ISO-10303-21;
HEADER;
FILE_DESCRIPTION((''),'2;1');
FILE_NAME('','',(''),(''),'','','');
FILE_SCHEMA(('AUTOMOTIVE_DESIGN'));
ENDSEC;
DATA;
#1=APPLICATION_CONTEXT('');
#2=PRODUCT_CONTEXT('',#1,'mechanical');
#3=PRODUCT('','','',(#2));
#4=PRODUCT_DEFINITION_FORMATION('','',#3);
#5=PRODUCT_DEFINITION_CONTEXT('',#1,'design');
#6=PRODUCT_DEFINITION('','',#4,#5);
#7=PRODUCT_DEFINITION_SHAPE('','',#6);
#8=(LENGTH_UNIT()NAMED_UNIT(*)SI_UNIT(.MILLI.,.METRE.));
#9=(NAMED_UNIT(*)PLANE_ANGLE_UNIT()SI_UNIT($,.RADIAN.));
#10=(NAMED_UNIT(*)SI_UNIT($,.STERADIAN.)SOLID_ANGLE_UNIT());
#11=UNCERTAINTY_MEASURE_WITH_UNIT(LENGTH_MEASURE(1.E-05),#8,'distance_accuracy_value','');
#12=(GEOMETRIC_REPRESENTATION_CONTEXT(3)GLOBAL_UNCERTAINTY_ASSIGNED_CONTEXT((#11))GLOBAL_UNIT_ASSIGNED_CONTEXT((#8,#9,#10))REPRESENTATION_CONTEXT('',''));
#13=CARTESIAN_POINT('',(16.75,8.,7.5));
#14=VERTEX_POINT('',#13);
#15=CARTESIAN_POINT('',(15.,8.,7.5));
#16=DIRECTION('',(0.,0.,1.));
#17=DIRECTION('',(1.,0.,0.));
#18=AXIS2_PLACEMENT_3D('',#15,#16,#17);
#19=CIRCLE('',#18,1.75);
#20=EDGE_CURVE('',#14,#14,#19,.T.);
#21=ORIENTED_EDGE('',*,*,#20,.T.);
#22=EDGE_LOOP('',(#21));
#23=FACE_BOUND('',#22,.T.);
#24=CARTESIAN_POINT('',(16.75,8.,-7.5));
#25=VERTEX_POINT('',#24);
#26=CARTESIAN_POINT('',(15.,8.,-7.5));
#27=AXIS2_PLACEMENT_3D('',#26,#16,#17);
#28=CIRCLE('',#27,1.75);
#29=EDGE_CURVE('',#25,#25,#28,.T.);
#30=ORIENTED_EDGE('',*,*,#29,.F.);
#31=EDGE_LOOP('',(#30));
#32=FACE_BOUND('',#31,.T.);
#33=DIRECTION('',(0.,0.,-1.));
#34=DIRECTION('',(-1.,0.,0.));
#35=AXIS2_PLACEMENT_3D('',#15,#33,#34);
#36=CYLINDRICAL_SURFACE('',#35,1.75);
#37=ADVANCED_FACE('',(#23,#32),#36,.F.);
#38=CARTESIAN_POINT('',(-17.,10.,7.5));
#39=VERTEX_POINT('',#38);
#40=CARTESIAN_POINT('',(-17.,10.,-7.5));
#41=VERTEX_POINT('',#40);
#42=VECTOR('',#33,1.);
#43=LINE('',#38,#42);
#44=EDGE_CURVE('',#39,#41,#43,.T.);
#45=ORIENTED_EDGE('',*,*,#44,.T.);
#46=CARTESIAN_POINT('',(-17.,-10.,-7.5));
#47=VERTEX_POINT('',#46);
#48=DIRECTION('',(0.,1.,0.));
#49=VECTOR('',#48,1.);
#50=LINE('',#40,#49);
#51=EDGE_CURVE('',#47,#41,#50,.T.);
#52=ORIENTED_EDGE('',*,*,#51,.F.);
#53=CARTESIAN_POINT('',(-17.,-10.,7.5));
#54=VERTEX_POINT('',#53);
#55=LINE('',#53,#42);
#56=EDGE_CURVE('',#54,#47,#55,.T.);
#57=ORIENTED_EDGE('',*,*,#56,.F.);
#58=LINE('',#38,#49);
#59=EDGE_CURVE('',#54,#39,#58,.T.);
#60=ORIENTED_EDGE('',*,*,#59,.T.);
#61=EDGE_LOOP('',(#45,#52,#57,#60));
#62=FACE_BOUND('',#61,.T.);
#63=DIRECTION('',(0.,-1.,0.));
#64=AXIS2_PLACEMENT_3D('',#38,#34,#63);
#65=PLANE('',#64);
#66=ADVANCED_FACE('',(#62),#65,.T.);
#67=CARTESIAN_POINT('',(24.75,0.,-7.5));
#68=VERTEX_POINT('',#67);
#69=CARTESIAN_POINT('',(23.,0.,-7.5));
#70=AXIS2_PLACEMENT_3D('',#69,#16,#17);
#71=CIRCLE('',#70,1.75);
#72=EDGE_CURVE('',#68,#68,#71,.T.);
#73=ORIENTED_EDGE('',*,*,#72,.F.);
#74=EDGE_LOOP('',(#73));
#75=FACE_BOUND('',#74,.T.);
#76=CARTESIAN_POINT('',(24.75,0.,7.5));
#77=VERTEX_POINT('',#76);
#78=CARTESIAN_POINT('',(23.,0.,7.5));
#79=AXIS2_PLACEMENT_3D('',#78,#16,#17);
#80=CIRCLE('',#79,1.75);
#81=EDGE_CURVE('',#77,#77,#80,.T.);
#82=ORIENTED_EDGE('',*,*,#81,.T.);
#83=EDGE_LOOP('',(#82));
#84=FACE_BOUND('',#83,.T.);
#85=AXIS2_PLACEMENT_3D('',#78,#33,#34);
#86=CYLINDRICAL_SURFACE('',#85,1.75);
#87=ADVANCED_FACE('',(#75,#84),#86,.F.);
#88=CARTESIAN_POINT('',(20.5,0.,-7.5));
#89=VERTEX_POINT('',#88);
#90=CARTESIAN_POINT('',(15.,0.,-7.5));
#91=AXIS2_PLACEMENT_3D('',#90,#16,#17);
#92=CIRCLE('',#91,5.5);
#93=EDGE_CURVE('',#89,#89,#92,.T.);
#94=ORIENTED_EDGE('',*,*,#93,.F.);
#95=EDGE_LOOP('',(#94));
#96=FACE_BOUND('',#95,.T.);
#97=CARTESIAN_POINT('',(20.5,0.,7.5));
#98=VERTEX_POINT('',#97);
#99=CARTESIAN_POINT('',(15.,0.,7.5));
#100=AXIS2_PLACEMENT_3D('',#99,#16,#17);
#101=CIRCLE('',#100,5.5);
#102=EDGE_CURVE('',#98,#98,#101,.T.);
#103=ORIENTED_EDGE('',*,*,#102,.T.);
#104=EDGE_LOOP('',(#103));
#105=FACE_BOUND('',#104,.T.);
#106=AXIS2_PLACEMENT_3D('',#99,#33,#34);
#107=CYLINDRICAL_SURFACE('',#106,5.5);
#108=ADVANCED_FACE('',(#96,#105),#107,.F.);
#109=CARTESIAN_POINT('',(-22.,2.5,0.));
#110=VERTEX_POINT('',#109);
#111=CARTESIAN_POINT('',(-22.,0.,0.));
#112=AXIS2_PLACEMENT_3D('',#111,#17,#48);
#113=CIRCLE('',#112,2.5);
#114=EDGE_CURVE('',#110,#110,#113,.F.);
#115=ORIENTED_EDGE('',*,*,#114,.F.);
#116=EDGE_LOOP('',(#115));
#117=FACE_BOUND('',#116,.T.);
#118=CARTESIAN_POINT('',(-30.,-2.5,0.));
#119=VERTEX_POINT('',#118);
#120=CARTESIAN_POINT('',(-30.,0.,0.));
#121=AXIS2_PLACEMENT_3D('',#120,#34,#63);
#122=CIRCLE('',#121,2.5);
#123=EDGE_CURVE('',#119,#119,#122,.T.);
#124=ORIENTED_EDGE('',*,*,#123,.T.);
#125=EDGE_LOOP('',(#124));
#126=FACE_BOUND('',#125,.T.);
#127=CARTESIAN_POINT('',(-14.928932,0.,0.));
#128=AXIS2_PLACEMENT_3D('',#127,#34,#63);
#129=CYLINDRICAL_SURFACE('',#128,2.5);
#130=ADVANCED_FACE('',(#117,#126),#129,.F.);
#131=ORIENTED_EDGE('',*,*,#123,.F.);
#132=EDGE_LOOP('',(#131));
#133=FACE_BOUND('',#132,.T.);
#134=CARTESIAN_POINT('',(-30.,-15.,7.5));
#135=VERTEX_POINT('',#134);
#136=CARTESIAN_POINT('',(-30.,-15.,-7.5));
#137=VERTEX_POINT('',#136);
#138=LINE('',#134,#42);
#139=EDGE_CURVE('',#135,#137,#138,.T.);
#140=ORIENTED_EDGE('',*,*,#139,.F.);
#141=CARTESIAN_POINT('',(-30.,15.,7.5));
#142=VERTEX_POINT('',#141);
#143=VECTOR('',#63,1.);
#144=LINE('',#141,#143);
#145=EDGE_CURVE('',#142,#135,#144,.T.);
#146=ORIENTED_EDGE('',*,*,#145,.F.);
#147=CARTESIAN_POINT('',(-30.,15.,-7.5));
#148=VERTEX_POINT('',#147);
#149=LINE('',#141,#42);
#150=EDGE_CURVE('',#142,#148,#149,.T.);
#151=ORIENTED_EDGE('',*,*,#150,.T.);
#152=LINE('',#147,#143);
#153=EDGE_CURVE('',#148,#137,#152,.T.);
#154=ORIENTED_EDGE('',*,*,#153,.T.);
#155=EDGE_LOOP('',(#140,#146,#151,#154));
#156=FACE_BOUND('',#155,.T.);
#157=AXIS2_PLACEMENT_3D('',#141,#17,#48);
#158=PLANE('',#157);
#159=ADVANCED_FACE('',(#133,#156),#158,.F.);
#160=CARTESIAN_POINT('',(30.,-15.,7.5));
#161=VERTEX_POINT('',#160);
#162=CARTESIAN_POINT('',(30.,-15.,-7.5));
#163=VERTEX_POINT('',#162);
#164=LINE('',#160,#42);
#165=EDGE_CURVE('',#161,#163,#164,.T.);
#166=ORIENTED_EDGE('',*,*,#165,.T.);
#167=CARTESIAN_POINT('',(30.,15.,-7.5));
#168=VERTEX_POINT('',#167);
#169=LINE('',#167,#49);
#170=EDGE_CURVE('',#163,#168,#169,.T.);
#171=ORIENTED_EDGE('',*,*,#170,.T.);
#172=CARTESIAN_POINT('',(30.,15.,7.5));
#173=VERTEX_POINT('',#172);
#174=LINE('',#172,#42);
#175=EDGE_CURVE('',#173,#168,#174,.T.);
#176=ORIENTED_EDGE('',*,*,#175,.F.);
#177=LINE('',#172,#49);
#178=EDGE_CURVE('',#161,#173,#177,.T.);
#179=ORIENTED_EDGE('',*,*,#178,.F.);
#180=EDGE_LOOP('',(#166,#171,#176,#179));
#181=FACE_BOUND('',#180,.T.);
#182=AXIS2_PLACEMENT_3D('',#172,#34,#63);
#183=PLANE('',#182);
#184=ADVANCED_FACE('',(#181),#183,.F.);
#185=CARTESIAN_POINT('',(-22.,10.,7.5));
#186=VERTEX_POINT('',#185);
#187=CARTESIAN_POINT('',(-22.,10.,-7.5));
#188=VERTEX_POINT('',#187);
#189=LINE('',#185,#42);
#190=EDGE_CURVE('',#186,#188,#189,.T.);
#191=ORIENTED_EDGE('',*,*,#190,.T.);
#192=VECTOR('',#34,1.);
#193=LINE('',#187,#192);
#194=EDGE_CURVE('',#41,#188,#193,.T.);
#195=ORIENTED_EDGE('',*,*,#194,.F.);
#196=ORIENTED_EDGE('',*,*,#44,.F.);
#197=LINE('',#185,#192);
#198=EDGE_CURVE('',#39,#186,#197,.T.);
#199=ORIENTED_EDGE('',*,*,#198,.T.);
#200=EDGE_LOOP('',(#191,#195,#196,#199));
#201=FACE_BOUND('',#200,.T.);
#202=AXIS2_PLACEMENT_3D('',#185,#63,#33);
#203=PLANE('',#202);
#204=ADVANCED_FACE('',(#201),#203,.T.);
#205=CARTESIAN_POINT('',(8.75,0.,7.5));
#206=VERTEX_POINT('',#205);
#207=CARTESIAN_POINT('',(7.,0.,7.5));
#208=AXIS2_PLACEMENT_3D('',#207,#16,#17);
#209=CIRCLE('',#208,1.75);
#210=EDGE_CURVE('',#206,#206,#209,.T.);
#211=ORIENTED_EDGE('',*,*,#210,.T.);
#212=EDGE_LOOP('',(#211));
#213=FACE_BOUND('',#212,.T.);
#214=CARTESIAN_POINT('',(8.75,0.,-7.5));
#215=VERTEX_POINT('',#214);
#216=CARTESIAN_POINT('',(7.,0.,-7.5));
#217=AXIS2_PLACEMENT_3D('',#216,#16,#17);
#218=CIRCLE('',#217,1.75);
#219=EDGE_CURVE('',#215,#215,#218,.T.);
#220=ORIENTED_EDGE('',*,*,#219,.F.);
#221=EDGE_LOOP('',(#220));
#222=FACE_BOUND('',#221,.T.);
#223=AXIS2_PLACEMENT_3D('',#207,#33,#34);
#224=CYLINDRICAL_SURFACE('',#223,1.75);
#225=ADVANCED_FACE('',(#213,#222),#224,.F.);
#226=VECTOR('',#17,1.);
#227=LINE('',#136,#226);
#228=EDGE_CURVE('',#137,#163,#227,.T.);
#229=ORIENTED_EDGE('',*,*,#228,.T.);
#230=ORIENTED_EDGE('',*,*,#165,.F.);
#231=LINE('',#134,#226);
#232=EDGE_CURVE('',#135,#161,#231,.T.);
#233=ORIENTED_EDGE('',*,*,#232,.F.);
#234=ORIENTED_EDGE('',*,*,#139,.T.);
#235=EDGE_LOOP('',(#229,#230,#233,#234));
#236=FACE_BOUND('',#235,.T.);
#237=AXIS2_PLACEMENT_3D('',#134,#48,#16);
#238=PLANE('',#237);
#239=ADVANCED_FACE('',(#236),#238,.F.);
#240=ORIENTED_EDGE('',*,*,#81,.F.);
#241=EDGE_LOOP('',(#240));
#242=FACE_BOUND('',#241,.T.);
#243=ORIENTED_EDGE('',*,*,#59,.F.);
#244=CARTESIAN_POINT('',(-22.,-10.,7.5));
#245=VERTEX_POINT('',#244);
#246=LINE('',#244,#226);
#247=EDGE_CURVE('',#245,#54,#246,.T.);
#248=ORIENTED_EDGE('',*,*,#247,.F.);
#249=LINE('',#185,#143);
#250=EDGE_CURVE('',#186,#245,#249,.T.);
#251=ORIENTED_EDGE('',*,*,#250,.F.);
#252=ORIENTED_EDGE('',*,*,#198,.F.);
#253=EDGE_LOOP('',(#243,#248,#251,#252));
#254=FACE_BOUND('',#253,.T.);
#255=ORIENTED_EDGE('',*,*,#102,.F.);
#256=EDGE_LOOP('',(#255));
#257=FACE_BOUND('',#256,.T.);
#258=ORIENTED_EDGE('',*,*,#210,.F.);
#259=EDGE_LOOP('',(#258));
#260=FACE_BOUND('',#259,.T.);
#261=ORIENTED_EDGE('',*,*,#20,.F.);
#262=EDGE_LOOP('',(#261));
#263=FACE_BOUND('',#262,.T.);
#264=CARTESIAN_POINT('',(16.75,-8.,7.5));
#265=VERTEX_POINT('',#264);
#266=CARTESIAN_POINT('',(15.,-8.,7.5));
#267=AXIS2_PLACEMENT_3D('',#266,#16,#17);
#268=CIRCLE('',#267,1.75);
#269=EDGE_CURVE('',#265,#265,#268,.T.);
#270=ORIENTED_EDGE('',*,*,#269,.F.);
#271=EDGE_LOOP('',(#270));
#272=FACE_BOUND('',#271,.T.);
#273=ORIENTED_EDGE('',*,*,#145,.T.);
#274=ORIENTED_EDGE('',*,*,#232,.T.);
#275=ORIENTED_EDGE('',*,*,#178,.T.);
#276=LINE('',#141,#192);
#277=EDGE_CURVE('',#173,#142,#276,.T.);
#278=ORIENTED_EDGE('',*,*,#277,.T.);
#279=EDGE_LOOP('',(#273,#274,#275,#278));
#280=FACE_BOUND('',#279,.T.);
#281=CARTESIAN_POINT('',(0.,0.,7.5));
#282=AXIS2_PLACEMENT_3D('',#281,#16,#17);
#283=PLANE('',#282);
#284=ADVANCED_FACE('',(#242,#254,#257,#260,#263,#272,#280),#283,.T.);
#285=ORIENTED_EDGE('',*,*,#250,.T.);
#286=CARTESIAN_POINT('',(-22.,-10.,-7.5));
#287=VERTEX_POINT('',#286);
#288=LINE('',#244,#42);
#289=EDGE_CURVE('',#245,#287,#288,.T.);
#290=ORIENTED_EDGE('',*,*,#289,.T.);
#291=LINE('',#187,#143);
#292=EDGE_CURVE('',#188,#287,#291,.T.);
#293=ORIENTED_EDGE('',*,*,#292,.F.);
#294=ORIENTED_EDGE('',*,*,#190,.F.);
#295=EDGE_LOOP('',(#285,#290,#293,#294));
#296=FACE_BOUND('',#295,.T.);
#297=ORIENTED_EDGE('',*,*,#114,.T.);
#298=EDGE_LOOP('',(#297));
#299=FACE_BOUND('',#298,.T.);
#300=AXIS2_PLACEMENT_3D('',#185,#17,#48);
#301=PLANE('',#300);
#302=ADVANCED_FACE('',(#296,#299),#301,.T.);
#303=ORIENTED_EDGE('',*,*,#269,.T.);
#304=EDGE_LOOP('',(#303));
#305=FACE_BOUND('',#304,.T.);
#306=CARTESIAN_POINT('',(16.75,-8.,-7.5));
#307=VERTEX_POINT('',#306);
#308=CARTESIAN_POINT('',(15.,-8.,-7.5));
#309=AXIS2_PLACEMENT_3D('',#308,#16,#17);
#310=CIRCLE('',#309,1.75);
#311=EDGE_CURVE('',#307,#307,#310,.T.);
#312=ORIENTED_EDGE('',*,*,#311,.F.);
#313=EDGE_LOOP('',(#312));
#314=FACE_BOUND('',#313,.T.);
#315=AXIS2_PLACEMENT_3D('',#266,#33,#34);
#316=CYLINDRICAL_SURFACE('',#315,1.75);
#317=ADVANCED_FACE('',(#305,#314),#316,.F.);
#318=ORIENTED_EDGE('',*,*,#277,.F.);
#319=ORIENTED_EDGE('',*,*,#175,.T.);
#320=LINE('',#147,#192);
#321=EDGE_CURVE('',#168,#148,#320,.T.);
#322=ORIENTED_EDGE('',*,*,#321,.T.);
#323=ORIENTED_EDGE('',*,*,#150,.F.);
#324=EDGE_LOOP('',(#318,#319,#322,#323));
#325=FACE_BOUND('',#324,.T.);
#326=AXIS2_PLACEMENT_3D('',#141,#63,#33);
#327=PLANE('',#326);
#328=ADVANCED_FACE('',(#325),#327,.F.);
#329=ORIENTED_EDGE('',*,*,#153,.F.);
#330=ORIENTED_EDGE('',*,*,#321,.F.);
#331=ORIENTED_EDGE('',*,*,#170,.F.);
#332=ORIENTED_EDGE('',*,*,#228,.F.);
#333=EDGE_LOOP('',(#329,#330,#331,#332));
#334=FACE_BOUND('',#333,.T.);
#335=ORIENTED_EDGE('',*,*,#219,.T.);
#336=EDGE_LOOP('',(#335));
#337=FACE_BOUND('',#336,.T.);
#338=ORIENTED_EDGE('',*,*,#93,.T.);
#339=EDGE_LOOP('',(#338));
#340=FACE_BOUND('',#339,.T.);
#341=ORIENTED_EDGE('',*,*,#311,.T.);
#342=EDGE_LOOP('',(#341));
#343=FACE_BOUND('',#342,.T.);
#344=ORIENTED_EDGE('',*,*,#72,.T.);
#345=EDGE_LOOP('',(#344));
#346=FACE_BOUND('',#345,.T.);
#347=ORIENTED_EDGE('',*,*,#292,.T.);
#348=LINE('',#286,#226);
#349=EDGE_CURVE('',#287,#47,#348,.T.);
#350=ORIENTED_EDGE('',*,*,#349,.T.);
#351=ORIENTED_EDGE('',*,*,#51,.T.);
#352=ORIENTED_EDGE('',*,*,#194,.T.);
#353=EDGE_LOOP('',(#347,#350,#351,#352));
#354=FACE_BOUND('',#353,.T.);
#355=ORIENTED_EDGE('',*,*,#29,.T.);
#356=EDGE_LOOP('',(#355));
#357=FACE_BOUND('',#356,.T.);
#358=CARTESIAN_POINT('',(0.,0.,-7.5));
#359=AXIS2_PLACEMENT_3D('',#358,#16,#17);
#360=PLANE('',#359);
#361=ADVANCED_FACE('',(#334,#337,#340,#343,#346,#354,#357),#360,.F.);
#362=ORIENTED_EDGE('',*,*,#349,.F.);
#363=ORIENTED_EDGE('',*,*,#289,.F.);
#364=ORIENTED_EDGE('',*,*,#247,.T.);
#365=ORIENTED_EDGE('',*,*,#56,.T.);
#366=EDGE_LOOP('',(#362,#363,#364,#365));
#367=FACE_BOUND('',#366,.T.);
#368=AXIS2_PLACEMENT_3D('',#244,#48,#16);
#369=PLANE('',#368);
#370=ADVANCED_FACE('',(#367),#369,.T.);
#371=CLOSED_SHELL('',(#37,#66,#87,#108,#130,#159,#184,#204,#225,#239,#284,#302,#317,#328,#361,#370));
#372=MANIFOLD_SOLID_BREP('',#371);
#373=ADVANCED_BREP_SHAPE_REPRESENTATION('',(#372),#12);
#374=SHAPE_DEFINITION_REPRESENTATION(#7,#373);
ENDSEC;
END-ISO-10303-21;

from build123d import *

# Parameters (mm, degrees)
SKETCH1_W           = 60
SKETCH1_H           = 30
SKETCH1_R           = 5.5
SKETCH1_R_2         = 1.75
SKETCH1_W_2         = 5
SKETCH1_H_2         = 20
BOSS_EXTRUDE1_DEPTH = 7.5
SKETCH2_R           = 2.5
CUT_EXTRUDE1_DEPTH  = 8


with BuildPart() as part:
    # Sketch1 → Boss-Extrude1 (new, symmetric)
    with BuildSketch(Plane.XY):
        Rectangle(SKETCH1_W, SKETCH1_H)
        with Locations((15, 0)):
            Circle(SKETCH1_R, mode=Mode.SUBTRACT)
        with Locations((15, 8)):
            Circle(SKETCH1_R_2, mode=Mode.SUBTRACT)
        with Locations((23, 0)):
            Circle(SKETCH1_R_2, mode=Mode.SUBTRACT)
        with Locations((15, -8)):
            Circle(SKETCH1_R_2, mode=Mode.SUBTRACT)
        with Locations((7, 0)):
            Circle(SKETCH1_R_2, mode=Mode.SUBTRACT)
        with Locations((-19.5, 0)):
            Rectangle(SKETCH1_W_2, SKETCH1_H_2, mode=Mode.SUBTRACT)
    extrude(amount=BOSS_EXTRUDE1_DEPTH, both=True)

    # Sketch2 → Cut-Extrude1 (cut)
    with BuildSketch(Plane.ZY.offset(30)):
        with Locations(Location((0, 0, 0), (0, 0, 270))):
            Circle(SKETCH2_R)
    extrude(amount=-CUT_EXTRUDE1_DEPTH, mode=Mode.SUBTRACT)


solid = part.part
